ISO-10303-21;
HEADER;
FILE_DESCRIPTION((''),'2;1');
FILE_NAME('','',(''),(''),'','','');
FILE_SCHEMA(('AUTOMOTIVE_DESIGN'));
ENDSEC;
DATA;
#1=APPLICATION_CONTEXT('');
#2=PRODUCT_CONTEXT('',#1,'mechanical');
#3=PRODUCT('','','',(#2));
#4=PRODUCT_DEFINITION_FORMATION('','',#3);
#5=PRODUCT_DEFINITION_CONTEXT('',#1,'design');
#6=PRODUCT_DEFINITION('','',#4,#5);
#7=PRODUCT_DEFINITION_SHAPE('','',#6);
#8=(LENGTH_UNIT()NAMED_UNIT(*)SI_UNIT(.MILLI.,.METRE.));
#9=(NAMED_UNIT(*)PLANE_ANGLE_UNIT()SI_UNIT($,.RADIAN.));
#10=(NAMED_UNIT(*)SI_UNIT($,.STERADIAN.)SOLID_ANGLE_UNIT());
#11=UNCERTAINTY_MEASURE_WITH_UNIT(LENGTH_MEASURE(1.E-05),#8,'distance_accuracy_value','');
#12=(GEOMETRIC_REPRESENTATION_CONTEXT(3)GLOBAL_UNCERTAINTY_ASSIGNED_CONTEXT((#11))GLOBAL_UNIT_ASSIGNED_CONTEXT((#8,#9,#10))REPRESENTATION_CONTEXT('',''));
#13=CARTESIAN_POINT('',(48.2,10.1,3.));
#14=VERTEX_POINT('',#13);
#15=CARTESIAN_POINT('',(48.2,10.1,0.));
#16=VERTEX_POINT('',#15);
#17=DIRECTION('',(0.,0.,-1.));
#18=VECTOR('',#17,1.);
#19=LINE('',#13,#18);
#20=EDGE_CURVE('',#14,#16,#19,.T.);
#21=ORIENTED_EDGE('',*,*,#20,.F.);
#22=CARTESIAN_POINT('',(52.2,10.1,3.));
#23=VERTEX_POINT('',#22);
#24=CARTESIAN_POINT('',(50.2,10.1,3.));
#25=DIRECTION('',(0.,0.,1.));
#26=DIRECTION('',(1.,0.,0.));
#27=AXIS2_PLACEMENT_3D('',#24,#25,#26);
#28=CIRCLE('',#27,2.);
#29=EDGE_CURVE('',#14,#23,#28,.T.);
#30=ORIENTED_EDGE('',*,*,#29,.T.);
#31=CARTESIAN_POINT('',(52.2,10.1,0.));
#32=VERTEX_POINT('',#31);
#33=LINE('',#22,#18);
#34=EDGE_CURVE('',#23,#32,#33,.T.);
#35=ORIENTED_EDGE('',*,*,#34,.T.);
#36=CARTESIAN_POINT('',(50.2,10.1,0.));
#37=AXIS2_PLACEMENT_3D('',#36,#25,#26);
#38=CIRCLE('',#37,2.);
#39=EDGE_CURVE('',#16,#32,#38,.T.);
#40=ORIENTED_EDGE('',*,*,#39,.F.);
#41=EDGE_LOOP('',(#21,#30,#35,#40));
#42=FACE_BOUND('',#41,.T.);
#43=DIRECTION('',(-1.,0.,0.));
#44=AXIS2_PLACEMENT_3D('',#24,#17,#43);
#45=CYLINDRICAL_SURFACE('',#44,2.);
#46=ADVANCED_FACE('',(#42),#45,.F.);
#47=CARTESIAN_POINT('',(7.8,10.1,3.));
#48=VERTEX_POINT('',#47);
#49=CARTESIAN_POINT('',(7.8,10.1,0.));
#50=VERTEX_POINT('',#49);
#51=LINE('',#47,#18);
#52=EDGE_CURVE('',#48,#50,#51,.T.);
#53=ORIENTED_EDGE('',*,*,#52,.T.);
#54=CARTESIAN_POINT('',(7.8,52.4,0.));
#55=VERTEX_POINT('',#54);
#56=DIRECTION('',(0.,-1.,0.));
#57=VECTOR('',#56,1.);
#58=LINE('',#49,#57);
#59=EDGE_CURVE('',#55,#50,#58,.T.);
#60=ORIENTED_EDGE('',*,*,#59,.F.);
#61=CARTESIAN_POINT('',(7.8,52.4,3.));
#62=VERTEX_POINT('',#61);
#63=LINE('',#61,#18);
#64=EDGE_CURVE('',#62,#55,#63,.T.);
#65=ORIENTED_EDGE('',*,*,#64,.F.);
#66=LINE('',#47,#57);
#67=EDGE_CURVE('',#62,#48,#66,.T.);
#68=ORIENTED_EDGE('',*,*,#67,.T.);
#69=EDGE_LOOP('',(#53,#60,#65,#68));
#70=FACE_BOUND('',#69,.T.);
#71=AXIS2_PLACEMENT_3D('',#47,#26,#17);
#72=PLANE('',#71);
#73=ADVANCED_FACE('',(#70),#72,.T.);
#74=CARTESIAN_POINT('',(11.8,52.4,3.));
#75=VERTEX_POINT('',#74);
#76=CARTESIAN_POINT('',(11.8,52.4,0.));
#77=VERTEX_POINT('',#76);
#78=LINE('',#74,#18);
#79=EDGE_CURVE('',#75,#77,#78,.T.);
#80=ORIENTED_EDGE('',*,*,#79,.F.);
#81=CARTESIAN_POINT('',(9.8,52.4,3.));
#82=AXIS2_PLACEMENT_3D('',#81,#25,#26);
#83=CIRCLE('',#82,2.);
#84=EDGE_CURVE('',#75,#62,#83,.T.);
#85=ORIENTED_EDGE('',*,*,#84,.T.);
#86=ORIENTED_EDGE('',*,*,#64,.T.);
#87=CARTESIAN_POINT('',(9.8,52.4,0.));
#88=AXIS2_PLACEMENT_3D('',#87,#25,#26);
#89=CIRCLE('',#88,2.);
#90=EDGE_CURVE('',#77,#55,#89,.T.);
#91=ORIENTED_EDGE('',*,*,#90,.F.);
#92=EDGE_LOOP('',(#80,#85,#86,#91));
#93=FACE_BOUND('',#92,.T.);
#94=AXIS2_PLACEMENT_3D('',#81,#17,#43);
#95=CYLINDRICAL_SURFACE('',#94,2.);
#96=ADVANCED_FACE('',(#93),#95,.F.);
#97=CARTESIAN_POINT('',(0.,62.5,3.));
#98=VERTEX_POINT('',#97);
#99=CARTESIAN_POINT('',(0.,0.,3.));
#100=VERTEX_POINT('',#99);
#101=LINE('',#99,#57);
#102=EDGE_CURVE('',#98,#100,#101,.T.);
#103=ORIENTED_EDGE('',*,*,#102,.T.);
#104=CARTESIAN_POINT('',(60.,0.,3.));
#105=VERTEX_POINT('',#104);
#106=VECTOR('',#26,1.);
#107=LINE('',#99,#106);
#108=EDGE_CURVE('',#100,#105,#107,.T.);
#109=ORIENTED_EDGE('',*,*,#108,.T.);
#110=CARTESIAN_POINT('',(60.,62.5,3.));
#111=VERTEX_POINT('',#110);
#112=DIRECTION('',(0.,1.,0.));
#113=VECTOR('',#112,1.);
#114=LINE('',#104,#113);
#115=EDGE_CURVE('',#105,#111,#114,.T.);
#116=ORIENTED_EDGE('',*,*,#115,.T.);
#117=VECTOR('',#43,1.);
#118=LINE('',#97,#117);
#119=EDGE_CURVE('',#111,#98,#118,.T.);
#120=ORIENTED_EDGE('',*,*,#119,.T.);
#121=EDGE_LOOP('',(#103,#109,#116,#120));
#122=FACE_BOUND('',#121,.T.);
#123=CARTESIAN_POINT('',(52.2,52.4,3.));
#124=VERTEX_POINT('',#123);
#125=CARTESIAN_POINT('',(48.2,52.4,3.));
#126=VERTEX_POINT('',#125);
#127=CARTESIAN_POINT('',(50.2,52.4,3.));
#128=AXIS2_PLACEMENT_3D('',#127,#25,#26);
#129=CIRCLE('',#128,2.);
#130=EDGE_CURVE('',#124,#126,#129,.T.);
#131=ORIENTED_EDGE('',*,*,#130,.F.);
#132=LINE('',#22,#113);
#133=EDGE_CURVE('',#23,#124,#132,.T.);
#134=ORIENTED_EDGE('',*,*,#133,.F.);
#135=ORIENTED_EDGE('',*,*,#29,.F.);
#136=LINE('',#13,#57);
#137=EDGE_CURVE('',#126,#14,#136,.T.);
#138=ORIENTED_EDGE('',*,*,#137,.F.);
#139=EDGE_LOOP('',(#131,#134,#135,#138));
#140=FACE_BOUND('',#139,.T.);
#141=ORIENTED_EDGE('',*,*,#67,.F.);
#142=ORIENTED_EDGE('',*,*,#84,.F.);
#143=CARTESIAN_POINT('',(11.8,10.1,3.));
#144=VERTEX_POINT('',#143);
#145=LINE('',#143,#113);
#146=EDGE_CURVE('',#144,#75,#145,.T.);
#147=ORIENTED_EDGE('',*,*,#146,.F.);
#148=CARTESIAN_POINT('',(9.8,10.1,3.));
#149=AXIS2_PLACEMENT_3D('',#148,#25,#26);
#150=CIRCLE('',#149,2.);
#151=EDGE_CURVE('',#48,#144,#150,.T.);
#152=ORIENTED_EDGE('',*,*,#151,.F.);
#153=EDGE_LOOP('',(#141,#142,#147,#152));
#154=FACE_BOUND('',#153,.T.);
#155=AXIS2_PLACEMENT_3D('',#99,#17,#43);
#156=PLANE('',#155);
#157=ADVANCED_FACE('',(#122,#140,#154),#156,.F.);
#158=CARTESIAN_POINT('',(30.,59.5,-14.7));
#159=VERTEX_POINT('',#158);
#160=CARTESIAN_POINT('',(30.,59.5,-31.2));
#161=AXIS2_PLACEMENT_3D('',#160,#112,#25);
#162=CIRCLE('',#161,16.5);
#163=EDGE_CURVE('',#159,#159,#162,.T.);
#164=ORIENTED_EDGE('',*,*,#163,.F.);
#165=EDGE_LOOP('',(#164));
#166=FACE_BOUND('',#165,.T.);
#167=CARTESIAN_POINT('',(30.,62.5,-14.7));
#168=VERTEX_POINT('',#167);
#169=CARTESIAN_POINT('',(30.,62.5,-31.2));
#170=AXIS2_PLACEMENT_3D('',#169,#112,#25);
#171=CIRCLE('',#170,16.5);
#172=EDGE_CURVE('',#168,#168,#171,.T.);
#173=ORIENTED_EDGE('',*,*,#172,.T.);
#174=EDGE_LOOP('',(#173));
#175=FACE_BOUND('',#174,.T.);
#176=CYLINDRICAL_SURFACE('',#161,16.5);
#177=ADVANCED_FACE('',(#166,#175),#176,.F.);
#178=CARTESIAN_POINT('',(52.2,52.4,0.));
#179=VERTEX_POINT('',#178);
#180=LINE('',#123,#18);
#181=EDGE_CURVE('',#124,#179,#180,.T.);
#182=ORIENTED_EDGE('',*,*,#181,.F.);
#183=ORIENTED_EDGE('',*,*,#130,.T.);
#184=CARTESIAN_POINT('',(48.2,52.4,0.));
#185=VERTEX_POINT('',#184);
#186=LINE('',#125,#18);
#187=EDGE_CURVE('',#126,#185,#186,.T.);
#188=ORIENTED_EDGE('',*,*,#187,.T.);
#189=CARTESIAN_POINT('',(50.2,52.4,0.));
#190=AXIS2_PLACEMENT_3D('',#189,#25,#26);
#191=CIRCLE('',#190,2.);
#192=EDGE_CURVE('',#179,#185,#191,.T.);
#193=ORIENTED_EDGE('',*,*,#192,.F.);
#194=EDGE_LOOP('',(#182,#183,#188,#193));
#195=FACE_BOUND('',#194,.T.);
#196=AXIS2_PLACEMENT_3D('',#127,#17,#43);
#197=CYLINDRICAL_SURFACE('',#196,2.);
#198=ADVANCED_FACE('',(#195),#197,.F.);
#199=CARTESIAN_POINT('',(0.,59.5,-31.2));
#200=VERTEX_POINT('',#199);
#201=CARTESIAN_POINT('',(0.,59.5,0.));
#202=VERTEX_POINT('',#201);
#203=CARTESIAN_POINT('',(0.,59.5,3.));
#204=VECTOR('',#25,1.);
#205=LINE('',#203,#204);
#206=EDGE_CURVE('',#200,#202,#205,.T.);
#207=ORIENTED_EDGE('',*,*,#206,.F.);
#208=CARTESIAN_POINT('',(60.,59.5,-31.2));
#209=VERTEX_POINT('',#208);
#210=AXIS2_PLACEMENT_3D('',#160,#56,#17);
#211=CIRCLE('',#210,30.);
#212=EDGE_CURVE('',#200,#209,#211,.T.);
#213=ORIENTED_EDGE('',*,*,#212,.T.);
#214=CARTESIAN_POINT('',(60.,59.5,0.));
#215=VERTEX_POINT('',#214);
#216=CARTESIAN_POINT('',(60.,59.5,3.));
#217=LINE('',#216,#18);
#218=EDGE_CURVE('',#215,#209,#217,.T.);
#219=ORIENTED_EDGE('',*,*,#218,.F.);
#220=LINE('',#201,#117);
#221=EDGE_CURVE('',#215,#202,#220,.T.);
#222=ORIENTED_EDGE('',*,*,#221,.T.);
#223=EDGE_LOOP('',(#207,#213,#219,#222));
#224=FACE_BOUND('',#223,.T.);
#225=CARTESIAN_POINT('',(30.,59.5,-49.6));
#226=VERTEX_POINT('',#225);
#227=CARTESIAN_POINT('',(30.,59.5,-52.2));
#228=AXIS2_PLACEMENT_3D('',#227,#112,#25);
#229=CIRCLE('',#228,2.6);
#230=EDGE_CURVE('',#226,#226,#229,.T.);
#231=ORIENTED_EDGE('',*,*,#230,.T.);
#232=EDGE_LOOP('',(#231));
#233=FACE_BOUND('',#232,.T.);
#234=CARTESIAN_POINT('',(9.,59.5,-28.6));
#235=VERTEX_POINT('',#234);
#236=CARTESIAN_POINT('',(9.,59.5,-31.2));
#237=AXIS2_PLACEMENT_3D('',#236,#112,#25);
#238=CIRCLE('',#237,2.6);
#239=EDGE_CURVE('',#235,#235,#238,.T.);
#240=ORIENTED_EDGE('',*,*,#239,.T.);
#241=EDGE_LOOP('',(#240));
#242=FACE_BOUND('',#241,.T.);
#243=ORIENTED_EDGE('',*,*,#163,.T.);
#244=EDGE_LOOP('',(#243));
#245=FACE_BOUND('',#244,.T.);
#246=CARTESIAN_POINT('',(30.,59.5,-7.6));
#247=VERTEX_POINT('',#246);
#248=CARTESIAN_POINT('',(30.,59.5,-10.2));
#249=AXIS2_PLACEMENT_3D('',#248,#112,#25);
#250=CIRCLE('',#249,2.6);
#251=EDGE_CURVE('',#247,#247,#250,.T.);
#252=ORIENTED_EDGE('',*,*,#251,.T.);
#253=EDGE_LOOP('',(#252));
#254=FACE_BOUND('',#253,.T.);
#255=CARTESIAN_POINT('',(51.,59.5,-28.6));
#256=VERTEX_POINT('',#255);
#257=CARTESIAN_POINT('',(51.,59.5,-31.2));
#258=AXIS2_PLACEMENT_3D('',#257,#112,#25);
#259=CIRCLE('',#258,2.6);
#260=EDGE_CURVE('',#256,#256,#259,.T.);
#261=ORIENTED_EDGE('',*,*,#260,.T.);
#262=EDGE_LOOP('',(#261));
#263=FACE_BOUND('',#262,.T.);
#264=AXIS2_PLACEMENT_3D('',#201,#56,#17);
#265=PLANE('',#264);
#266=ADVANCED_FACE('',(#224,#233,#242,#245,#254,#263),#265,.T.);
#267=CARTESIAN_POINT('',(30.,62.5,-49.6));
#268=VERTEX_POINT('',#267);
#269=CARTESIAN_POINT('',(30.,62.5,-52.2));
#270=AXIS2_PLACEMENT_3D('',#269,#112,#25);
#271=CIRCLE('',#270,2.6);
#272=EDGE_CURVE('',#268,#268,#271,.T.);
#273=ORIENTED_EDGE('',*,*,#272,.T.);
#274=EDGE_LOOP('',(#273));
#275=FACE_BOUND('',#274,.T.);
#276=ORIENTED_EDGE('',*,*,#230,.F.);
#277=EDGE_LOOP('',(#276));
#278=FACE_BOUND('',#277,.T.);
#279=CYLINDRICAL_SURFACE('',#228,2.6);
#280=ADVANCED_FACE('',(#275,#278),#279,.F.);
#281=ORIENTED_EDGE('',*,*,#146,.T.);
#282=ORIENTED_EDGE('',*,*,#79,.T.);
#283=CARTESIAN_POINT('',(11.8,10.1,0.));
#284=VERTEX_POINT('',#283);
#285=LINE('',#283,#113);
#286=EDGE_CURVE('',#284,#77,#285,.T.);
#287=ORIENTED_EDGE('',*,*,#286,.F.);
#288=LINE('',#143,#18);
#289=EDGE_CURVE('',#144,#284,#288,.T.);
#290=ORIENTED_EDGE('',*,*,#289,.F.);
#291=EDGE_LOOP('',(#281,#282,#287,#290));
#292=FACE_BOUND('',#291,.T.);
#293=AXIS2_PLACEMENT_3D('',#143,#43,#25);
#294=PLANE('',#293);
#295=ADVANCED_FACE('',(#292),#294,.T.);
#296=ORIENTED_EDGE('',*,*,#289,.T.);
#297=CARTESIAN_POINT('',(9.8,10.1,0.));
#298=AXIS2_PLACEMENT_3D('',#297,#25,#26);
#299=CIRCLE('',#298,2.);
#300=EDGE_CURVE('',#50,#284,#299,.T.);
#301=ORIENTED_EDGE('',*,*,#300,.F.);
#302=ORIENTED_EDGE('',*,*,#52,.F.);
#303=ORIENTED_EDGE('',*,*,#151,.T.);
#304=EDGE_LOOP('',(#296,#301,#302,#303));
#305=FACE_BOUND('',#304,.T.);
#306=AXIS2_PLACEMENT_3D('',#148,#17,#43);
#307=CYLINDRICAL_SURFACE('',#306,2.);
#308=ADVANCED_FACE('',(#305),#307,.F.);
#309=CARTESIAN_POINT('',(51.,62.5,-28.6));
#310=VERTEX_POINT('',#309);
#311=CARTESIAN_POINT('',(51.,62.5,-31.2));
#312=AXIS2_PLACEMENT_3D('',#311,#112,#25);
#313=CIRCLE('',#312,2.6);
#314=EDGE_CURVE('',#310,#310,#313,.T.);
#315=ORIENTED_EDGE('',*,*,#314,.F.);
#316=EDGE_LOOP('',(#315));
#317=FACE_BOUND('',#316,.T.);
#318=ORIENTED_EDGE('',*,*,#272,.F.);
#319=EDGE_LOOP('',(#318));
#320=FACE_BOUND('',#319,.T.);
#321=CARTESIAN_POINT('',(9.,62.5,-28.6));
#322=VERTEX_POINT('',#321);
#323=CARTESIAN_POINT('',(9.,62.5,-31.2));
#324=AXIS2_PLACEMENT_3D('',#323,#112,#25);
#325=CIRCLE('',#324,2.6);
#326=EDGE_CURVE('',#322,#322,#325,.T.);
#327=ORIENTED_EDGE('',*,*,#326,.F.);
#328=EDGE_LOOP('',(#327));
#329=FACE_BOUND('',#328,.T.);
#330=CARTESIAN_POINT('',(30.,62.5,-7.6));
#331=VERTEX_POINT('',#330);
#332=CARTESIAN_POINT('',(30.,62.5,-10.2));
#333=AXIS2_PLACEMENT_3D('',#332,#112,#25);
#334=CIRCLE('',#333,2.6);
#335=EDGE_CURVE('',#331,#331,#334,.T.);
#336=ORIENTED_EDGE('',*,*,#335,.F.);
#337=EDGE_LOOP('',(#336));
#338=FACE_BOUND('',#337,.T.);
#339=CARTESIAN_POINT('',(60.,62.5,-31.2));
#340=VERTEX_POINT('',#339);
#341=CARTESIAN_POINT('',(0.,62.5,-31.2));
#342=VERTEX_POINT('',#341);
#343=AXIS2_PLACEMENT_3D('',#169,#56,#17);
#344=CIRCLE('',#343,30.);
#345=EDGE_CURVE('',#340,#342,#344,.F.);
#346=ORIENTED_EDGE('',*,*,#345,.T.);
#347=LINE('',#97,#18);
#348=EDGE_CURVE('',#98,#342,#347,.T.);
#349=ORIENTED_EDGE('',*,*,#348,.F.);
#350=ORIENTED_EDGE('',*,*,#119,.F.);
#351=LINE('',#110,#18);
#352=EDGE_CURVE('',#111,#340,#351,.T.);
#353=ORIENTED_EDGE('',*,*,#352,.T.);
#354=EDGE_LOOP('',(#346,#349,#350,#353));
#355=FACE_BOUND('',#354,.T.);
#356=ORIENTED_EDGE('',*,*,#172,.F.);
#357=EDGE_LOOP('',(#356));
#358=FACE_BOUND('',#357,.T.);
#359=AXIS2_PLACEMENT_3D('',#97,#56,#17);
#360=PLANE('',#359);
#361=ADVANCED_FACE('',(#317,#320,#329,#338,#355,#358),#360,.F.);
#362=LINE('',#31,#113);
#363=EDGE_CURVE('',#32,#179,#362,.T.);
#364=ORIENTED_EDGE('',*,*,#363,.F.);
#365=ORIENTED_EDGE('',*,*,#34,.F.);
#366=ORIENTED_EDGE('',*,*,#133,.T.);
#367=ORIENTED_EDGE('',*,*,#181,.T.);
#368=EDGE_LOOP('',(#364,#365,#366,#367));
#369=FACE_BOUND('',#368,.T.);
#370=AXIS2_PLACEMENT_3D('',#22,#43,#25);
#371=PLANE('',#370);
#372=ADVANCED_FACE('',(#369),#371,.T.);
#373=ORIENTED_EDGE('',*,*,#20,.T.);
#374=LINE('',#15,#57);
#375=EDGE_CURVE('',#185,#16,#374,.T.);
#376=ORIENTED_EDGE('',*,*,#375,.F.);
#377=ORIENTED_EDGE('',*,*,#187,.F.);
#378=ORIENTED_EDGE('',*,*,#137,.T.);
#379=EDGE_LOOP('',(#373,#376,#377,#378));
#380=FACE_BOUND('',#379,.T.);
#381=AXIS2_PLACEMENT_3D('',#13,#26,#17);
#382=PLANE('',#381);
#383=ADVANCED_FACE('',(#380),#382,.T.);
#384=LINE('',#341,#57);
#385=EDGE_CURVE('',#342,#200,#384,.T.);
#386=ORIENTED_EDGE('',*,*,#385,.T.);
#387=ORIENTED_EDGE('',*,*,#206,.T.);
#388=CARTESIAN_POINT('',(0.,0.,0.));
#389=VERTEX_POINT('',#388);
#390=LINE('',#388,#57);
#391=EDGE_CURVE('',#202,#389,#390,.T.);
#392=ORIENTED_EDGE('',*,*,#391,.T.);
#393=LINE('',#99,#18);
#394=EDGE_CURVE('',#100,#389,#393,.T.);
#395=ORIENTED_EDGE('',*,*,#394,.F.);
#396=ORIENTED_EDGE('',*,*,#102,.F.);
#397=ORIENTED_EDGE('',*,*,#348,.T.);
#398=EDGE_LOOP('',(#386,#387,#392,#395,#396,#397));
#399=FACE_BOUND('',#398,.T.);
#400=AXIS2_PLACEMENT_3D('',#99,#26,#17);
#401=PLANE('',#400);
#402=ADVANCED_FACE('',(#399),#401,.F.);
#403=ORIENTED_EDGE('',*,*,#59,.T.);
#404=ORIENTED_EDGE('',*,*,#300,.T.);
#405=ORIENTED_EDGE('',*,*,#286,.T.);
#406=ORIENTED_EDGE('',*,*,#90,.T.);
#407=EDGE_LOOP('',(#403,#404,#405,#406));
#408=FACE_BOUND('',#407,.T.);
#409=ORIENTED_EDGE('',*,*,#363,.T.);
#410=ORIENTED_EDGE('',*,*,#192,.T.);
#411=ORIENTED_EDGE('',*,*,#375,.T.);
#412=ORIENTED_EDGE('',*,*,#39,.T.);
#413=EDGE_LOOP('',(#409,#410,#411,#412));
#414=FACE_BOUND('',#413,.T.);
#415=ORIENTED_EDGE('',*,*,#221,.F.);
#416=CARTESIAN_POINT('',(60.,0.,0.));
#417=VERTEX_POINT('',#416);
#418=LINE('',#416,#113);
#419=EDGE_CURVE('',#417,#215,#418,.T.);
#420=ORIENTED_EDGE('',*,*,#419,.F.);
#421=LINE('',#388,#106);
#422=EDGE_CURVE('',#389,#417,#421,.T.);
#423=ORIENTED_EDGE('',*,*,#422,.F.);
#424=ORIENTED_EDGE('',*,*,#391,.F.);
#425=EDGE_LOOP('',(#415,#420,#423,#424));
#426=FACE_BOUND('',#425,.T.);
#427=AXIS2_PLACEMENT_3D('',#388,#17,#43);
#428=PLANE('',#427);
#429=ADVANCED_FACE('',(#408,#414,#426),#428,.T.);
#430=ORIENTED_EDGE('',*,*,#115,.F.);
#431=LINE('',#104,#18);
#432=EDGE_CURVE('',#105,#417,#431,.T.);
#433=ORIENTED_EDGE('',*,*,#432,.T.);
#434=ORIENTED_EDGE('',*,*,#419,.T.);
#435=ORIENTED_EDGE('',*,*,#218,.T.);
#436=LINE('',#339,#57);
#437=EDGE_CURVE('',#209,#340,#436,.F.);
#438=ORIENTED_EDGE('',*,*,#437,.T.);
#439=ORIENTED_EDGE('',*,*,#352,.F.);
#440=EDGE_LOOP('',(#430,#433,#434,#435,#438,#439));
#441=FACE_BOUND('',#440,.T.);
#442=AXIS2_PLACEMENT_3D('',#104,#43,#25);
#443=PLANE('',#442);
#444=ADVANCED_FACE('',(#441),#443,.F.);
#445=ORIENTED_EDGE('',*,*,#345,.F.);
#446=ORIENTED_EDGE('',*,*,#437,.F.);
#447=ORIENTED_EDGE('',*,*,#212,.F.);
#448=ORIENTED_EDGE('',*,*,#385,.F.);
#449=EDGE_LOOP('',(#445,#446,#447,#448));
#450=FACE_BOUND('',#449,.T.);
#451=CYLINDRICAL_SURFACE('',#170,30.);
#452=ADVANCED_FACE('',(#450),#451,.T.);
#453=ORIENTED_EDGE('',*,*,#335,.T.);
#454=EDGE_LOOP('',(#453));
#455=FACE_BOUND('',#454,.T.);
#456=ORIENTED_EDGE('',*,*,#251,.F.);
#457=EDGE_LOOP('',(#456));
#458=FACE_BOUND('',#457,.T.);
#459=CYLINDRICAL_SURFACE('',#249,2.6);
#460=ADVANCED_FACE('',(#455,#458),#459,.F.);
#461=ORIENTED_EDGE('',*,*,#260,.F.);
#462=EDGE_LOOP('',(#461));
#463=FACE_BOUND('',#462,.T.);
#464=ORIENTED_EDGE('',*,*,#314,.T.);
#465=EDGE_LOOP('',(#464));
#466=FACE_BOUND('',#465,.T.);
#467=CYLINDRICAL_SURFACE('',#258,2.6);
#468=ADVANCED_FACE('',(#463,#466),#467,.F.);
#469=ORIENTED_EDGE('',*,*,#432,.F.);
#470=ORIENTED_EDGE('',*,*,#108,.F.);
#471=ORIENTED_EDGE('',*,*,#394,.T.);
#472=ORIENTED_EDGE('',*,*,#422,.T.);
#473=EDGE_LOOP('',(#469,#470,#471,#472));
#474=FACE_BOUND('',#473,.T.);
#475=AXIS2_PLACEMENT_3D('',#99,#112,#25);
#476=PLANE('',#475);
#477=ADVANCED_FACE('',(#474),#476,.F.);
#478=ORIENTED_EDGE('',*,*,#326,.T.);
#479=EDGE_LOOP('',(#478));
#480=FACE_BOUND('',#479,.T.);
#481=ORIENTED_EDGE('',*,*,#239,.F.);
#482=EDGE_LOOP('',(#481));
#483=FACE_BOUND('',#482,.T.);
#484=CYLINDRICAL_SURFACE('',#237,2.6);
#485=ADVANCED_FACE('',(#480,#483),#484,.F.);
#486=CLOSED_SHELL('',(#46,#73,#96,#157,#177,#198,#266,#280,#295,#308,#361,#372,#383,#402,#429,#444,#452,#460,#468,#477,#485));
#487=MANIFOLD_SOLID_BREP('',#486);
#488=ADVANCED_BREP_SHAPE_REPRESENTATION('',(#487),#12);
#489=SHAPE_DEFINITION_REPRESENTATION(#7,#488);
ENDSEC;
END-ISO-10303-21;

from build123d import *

# Parameters (mm, degrees)
SKETCH1_W           = 60
SKETCH1_H           = 62.5
BOSS_EXTRUDE1_DEPTH = 3
SKETCH2_W           = 60
SKETCH2_H           = 64.2
BOSS_EXTRUDE2_DEPTH = 3
FILLET1_RADIUS      = 30
FILLET1_LENGTH      = 3
SKETCH3_R           = 16.5
SKETCH3_R_2         = 2.6
CUT_EXTRUDE1_DEPTH  = 3


with BuildPart() as part:
    # Sketch1 → Boss-Extrude1 (new body)
    with BuildSketch(Plane.XY):
        with Locations((30, 31.25)):
            Rectangle(SKETCH1_W, SKETCH1_H)
        with BuildLine():
            Line((7.8, 10.1), (7.8, 52.4))
            ThreePointArc((7.8, 52.4), (9.8, 54.4), (11.8, 52.4))
            Line((11.8, 52.4), (11.8, 10.1))
            ThreePointArc((11.8, 10.1), (9.8, 8.1), (7.8, 10.1))
        make_face(mode=Mode.SUBTRACT)
        with BuildLine():
            Line((48.2, 10.1), (48.2, 52.4))
            ThreePointArc((48.2, 52.4), (50.2, 54.4), (52.2, 52.4))
            Line((52.2, 52.4), (52.2, 10.1))
            ThreePointArc((52.2, 10.1), (50.2, 8.1), (48.2, 10.1))
        make_face(mode=Mode.SUBTRACT)
    extrude(amount=BOSS_EXTRUDE1_DEPTH)

    # Sketch2 → Boss-Extrude2 (add)
    with BuildSketch(Plane(origin=(0, 62.5, 0), x_dir=(1, 0, 0), z_dir=(0, 1, 0))):
        with Locations((30, 29.1)):
            Rectangle(SKETCH2_W, SKETCH2_H)
    extrude(amount=-BOSS_EXTRUDE2_DEPTH)

    # Fillet1: full round fillet: the end face becomes a half cylinder, R = half its width
    fillet1_face = Plane((30, 61, -61.2), x_dir=(0, 1, 0), z_dir=(0, 0, -1))  # on the end face: x along it, z out of the body
    fillet1_slab = fillet1_face.offset(-FILLET1_RADIUS / 2) * Box(FILLET1_LENGTH, 2 * FILLET1_RADIUS, FILLET1_RADIUS, mode=Mode.PRIVATE)  # the body's end, R deep
    fillet1_round = Plane((30, 61, -31.2), x_dir=(0, 0, -1), z_dir=(0, 1, 0)) * Cylinder(FILLET1_RADIUS, FILLET1_LENGTH, mode=Mode.PRIVATE)  # its axis R under the face
    add(fillet1_slab - fillet1_round, mode=Mode.SUBTRACT)

    # Sketch3 → Cut-Extrude1 (cut)
    with BuildSketch(Plane(origin=(0, 62.5, 0), x_dir=(1, 0, 0), z_dir=(0, 1, 0))):
        with Locations(Location((30, 31.2, 0), (0, 0, 270))):
            Circle(SKETCH3_R)
        with Locations(Location((30, 52.2, 0), (0, 0, 270))):
            Circle(SKETCH3_R_2)
        with Locations(Location((51, 31.2, 0), (0, 0, 270))):
            Circle(SKETCH3_R_2)
        with Locations(Location((30, 10.2, 0), (0, 0, 270))):
            Circle(SKETCH3_R_2)
        with Locations(Location((9, 31.2, 0), (0, 0, 270))):
            Circle(SKETCH3_R_2)
    extrude(amount=-CUT_EXTRUDE1_DEPTH, mode=Mode.SUBTRACT)


solid = part.part
